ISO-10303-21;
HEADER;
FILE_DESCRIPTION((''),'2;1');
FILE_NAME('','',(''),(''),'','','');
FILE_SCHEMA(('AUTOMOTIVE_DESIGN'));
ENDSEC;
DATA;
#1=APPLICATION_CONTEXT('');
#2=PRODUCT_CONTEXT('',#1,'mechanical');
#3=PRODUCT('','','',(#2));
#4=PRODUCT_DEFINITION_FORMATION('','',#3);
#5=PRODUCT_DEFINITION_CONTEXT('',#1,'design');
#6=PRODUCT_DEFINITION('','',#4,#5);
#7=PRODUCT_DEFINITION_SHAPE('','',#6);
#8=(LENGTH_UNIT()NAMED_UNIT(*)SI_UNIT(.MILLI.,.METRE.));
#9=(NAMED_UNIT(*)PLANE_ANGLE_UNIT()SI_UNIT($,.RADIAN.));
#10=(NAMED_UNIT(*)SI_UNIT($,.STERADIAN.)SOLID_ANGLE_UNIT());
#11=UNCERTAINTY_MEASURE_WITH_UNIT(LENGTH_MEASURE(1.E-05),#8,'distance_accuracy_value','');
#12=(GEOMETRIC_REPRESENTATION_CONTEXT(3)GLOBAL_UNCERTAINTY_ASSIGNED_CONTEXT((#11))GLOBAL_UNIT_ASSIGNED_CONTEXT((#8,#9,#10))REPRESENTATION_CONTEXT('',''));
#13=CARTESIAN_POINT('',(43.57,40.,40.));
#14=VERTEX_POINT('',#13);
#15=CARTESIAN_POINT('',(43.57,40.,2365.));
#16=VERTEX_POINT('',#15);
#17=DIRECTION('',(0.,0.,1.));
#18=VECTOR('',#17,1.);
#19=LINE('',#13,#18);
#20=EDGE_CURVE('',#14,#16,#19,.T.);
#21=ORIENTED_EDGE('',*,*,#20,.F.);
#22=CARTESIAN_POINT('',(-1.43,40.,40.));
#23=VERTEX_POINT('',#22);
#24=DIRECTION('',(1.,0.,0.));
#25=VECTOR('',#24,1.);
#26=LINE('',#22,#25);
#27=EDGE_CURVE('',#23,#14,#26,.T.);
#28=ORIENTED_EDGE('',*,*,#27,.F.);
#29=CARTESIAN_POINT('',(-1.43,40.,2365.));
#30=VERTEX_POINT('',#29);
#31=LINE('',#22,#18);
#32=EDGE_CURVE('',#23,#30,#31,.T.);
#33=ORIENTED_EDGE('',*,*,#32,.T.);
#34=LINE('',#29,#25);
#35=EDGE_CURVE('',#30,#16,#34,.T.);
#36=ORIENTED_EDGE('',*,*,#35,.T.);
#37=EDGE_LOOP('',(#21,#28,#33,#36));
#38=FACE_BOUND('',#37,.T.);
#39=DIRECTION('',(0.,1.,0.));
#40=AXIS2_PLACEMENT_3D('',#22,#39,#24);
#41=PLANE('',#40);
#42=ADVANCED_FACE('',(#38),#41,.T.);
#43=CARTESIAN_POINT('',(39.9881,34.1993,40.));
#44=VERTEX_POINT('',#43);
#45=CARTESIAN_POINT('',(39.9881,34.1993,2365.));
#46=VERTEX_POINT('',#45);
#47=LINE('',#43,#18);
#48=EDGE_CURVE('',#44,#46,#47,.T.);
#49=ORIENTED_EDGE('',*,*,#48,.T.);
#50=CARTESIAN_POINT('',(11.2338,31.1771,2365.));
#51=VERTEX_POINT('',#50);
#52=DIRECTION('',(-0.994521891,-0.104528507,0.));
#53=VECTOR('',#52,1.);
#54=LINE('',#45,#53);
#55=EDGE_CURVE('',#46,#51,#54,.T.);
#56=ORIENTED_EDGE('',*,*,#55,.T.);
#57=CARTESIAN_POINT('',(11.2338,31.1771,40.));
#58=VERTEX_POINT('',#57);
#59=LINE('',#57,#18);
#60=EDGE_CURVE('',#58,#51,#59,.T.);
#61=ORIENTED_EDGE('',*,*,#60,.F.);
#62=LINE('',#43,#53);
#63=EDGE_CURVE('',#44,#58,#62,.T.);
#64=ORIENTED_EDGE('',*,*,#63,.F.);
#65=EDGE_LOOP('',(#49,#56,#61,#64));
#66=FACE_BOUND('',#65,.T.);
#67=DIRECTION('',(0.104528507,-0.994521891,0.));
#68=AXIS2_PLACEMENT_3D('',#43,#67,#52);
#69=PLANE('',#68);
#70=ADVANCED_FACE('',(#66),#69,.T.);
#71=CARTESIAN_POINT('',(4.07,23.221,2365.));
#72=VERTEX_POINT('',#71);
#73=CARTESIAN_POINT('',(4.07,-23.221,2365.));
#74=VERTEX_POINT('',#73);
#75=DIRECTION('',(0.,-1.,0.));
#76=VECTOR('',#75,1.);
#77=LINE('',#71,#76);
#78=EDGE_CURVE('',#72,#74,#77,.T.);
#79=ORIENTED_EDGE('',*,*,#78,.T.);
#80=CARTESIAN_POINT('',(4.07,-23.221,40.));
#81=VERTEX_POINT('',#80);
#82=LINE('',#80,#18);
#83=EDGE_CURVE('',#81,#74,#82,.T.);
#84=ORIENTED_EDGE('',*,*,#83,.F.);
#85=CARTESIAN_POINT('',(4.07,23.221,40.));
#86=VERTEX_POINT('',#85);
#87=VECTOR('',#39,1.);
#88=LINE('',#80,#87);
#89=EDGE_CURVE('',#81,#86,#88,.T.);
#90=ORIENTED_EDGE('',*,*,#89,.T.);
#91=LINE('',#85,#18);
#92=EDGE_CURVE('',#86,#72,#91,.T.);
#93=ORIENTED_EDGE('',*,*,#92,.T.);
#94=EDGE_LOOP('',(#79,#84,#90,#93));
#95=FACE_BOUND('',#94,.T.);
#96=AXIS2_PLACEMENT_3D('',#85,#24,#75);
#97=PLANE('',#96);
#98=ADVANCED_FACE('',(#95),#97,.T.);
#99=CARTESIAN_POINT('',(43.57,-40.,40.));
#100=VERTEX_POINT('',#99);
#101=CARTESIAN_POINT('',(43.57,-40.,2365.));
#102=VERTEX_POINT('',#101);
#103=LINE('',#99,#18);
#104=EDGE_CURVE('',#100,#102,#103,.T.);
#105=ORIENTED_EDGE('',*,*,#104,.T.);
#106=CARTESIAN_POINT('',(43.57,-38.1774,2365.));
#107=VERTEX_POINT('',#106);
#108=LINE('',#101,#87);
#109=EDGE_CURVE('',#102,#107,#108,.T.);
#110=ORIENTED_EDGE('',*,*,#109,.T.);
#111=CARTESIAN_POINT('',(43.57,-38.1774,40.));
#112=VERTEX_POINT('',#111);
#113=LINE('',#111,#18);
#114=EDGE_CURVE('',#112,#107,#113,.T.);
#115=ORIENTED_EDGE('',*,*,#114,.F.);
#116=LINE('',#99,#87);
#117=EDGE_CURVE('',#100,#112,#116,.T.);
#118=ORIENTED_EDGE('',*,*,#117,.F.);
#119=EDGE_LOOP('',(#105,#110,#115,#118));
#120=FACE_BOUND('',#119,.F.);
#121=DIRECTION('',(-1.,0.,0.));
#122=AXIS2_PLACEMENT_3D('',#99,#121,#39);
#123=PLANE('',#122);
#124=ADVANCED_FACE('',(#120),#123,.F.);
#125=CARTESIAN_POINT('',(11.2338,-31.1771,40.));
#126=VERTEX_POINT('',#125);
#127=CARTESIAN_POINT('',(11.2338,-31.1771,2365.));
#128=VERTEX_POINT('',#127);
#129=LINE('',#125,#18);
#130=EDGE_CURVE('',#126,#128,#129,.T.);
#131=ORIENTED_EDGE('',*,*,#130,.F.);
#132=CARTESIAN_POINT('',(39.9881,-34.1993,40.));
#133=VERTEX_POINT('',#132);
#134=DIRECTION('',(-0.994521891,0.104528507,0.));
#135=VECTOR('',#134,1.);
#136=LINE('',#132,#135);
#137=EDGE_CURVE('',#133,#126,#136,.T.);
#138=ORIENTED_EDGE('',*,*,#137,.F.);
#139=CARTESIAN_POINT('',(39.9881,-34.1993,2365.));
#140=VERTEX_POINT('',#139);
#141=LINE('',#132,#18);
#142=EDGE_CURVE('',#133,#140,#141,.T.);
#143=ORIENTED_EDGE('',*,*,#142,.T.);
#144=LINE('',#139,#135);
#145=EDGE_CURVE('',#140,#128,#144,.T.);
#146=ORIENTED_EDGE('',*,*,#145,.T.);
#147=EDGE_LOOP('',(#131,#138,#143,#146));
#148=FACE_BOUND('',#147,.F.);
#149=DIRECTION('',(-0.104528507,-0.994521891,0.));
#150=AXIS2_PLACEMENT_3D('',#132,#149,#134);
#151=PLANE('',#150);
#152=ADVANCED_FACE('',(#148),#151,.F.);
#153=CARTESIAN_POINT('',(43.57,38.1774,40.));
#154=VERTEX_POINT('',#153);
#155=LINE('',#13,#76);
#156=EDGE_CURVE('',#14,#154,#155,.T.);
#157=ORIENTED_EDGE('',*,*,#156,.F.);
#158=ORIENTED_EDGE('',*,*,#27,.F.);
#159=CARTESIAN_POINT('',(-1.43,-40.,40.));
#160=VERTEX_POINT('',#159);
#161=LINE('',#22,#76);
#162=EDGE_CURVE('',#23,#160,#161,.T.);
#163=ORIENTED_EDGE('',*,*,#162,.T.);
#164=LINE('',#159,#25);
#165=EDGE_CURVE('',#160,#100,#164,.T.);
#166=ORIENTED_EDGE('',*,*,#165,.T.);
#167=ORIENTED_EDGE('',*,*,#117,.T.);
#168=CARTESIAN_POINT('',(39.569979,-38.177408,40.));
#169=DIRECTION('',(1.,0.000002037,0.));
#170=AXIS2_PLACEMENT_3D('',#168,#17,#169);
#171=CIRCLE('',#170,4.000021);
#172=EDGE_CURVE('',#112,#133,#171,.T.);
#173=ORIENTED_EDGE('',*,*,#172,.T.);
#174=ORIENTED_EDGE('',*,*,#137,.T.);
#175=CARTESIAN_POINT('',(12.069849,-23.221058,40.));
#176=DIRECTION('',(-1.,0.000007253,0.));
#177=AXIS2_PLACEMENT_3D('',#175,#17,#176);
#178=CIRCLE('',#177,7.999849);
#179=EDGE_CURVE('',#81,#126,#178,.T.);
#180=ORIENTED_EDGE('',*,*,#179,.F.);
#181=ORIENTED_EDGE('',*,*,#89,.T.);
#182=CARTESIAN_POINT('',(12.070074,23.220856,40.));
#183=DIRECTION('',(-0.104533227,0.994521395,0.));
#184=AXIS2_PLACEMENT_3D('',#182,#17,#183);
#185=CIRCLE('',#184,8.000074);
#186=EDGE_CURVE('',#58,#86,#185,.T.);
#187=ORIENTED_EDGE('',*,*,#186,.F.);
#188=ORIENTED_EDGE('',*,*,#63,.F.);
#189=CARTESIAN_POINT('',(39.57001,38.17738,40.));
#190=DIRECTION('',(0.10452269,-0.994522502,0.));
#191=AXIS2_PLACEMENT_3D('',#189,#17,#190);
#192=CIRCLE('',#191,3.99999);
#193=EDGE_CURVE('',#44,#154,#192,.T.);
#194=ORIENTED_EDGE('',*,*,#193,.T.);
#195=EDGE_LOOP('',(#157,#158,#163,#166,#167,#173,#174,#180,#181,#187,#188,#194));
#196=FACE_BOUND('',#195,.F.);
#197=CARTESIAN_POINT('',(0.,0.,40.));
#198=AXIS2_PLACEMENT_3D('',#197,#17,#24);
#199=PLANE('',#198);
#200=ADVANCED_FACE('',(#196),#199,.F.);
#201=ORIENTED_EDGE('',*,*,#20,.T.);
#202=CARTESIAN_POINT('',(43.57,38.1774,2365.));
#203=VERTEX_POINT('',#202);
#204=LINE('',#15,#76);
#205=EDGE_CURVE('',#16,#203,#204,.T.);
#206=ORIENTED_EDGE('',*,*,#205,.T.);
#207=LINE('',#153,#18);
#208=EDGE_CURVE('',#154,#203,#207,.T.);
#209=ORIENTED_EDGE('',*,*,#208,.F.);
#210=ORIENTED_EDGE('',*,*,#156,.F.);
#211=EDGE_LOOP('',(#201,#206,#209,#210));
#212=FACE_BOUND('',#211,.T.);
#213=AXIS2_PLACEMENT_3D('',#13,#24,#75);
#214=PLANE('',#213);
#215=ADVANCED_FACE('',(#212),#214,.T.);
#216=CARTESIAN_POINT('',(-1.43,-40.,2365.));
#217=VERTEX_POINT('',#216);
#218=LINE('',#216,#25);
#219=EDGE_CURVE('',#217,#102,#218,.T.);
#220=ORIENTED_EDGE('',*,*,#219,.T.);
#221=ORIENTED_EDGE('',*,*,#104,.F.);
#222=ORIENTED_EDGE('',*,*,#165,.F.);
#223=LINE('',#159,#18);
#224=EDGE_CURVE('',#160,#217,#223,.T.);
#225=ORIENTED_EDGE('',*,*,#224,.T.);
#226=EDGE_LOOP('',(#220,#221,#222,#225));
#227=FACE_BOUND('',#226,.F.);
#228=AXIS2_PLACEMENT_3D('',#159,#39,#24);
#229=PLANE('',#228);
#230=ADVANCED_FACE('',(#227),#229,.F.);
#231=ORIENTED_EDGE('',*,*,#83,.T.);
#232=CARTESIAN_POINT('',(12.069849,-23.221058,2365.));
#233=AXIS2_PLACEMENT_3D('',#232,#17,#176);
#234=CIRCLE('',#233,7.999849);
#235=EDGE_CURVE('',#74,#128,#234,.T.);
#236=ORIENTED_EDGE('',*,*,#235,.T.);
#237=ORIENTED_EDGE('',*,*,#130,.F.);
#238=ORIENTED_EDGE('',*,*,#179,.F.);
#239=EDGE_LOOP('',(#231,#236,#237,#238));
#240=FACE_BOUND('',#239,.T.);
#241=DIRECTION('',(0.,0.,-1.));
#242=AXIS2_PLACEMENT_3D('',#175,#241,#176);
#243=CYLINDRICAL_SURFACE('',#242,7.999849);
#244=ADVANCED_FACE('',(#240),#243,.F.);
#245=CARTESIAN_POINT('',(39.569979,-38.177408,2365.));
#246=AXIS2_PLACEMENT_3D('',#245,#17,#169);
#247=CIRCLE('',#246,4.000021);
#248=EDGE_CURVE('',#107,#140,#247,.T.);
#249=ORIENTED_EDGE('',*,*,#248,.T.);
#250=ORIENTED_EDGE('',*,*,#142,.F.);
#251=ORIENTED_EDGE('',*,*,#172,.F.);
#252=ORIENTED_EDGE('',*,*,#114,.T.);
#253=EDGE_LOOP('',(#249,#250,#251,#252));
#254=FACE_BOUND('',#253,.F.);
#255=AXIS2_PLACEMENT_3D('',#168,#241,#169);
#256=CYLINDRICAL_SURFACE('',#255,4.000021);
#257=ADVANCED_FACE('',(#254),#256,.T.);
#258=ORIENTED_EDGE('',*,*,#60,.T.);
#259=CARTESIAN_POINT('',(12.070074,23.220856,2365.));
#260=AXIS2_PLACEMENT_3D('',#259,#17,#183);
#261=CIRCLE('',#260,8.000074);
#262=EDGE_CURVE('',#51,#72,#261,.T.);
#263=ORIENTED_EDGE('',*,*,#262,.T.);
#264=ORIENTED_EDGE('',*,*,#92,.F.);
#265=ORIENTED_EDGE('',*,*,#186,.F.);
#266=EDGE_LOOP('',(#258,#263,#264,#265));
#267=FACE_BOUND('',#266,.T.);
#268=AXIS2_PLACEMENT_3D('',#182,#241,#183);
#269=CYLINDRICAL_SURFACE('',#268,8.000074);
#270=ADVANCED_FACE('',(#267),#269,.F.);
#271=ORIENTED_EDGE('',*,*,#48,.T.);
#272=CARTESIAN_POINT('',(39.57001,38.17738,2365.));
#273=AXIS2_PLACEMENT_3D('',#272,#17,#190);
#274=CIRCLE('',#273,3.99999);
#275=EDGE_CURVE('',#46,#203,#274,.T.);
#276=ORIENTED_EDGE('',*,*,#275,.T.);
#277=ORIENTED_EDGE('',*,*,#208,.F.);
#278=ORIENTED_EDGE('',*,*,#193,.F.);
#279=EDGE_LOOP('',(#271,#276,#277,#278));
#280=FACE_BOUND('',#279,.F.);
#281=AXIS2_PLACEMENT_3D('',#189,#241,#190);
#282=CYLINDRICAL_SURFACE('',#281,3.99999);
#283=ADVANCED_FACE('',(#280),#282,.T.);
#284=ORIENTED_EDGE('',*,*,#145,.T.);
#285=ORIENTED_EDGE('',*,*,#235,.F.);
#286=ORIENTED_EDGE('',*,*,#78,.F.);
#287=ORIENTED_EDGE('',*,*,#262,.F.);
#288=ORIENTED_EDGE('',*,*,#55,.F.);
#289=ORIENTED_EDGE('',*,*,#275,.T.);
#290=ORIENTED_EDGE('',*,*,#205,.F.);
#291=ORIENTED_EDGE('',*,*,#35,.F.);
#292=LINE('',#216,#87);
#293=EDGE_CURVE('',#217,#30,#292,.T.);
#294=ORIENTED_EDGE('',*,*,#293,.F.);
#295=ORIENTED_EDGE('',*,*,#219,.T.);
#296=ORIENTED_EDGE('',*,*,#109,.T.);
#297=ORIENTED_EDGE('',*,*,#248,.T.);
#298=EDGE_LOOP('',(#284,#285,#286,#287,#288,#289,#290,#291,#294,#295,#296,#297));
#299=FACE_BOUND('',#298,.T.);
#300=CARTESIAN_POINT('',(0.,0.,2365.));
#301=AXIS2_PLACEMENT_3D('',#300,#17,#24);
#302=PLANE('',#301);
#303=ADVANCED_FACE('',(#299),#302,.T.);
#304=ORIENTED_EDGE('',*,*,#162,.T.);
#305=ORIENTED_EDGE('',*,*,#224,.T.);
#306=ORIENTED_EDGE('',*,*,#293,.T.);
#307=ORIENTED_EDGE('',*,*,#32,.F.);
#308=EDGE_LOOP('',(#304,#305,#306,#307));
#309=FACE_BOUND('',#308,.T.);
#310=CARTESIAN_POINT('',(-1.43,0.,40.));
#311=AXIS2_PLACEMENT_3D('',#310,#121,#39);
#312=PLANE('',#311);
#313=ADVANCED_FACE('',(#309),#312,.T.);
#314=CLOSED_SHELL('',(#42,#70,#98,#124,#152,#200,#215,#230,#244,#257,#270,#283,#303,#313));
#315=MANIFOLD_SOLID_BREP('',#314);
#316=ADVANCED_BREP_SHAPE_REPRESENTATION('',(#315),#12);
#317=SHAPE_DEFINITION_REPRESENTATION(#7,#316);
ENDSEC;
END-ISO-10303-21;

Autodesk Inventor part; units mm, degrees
ref_plane "Начальная плоскость" through (0, 0, 40) normal (0, 0, 1) x (1, 0, 0)
ref_plane "Конечная плоскость" through (0, 0, 2365) normal (0, 0, 1) x (1, 0, 0)
sketch "Эскиз" plane through (0, 0, 0) normal (0, 0, 1) x (1, 0, 0)
  line L0 (-1.43, 0) -> (-1.43, 40)
  line L1 (-1.43, 40) -> (43.57, 40)
  line L2 (43.57, 40) -> (43.57, 38.1774)
  line L3 (39.9881, 34.1993) -> (11.2338, 31.1771)
  line L4 (4.07, 23.221) -> (4.07, 0)
  line L5 (4.07, 0) -> (-1.43, 0) construction
  line L6 (23.82, 40) -> (23.82, 32.5) construction
  line L7 (43.57, 34.5758) -> (43.57, 32.5) construction
  line L8 (43.57, 32.5) -> (23.82, 32.5) construction
  line L9 (0, 15) -> (0, -27) construction
  line L10 (-5.539, 0) -> (16.0067, 0) construction
  line L11 (-1.43, 0) -> (-1.43, -40)
  line L12 (-1.43, -40) -> (43.57, -40)
  line L13 (43.57, -40) -> (43.57, -38.1774)
  line L14 (39.9881, -34.1993) -> (11.2338, -31.1771)
  line L15 (4.07, -23.221) -> (4.07, 0)
  arc A0 (11.2338, 31.1771) -> (4.07, 23.221) centre (12.07, 23.221) ccw
  arc A1 (4.07, -23.221) -> (11.2338, -31.1771) centre (12.07, -23.221) ccw
  arc A2 (39.9881, 34.1993) -> (43.57, 38.1774) centre (39.57, 38.1774) ccw
  arc A3 (43.57, -38.1774) -> (39.9881, -34.1993) centre (39.57, -38.1774) ccw
  line L16 (0, 56) -> (0, -56) construction
  line L17 (-15.5135, 0) -> (54.308, 0) construction
  point P0 (4.07, 30.4242)
  point P1 (43.57, -34.5758)
  point P2 (4.07, -30.4242)
  point P3 (23.82, -40)
  point P4 (23.82, -32.5)
  dimension "d0" = 5.5
  dimension "d1" = 40
  dimension "d2" = 45
  dimension "d3" = 7.5
  dimension "d4" = 19.75
  dimension "d5" = 2.0758
  dimension "d23" = 8
  dimension "d24" = 4
  dimension "d25" = 1.43
extrude "Тело" add sketch "Эскиз" along normal up to surface (2325 mm away) from surface at 40
sketch "Sketch3" plane through (0, 0, 0) normal (0, 0, 1) x (1, 0, 0)
  line L0 (0, 0) -> (10, 0)
ref_plane "Work Plane3" through (0, 0, 0) normal (0, -1, 0) x (1, 0, 0)
sketch "Sketch4" plane through (0, 0, 0) normal (0, -1, 0) x (1, 0, 0)
  line L0 (-2, 40) -> (12, 40)
  line L1 (-2, 2365) -> (12, 2365)
  dimension "d29" = 2325
ref_plane "РабПлоскость4" through (-1.43, -600, 2365) normal (0, 0, 1) x (1, 0, 0)
split "Разделение1" plane through (-1.43, -600, 2365) removes the side toward (0, 0, 1)
ref_plane "РабПлоскость5" through (-1.43, 1120, 40) normal (0, 0, -1) x (-1, 0, 0)
split "Разделение2" plane through (-1.43, 1120, 40) removes the side toward (0, 0, -1)
equation "\"d0\" = G_T"
equation "\"d1\" = 0.5 * G_H"
equation "\"d2\" = G_W"
equation "\"d3\" = G_T1"
equation "\"d4\" = G_C"
equation "\"d23\" = G_IR"
equation "\"d24\" = G_ER"
equation "\"d25\" = ex"
equation "\"d6\" = G_L"
equation "\"G_W\" = 45"
equation "\"G_T\" = 5.5"
equation "\"G_T1\" = 7.5"
equation "\"G_NG\" = 0.105104"
equation "\"G_ER\" = 4"
equation "\"G_IR\" = 8"
equation "\"G_C\" = 19.75"
equation "\"G_L\" = d29"
equation "\"ex\" = 1.43"
equation "\"d27\" = G_OFFSET_END + B_L"
equation "\"B_L\" = 2405"
equation "\"G_H\" = 80"
equation "\"G_OFFSET_END\" = -40"
properties part number "ISO 657/11 - CH 80 x 8 - 2325" material "Сталь, мягкая"
